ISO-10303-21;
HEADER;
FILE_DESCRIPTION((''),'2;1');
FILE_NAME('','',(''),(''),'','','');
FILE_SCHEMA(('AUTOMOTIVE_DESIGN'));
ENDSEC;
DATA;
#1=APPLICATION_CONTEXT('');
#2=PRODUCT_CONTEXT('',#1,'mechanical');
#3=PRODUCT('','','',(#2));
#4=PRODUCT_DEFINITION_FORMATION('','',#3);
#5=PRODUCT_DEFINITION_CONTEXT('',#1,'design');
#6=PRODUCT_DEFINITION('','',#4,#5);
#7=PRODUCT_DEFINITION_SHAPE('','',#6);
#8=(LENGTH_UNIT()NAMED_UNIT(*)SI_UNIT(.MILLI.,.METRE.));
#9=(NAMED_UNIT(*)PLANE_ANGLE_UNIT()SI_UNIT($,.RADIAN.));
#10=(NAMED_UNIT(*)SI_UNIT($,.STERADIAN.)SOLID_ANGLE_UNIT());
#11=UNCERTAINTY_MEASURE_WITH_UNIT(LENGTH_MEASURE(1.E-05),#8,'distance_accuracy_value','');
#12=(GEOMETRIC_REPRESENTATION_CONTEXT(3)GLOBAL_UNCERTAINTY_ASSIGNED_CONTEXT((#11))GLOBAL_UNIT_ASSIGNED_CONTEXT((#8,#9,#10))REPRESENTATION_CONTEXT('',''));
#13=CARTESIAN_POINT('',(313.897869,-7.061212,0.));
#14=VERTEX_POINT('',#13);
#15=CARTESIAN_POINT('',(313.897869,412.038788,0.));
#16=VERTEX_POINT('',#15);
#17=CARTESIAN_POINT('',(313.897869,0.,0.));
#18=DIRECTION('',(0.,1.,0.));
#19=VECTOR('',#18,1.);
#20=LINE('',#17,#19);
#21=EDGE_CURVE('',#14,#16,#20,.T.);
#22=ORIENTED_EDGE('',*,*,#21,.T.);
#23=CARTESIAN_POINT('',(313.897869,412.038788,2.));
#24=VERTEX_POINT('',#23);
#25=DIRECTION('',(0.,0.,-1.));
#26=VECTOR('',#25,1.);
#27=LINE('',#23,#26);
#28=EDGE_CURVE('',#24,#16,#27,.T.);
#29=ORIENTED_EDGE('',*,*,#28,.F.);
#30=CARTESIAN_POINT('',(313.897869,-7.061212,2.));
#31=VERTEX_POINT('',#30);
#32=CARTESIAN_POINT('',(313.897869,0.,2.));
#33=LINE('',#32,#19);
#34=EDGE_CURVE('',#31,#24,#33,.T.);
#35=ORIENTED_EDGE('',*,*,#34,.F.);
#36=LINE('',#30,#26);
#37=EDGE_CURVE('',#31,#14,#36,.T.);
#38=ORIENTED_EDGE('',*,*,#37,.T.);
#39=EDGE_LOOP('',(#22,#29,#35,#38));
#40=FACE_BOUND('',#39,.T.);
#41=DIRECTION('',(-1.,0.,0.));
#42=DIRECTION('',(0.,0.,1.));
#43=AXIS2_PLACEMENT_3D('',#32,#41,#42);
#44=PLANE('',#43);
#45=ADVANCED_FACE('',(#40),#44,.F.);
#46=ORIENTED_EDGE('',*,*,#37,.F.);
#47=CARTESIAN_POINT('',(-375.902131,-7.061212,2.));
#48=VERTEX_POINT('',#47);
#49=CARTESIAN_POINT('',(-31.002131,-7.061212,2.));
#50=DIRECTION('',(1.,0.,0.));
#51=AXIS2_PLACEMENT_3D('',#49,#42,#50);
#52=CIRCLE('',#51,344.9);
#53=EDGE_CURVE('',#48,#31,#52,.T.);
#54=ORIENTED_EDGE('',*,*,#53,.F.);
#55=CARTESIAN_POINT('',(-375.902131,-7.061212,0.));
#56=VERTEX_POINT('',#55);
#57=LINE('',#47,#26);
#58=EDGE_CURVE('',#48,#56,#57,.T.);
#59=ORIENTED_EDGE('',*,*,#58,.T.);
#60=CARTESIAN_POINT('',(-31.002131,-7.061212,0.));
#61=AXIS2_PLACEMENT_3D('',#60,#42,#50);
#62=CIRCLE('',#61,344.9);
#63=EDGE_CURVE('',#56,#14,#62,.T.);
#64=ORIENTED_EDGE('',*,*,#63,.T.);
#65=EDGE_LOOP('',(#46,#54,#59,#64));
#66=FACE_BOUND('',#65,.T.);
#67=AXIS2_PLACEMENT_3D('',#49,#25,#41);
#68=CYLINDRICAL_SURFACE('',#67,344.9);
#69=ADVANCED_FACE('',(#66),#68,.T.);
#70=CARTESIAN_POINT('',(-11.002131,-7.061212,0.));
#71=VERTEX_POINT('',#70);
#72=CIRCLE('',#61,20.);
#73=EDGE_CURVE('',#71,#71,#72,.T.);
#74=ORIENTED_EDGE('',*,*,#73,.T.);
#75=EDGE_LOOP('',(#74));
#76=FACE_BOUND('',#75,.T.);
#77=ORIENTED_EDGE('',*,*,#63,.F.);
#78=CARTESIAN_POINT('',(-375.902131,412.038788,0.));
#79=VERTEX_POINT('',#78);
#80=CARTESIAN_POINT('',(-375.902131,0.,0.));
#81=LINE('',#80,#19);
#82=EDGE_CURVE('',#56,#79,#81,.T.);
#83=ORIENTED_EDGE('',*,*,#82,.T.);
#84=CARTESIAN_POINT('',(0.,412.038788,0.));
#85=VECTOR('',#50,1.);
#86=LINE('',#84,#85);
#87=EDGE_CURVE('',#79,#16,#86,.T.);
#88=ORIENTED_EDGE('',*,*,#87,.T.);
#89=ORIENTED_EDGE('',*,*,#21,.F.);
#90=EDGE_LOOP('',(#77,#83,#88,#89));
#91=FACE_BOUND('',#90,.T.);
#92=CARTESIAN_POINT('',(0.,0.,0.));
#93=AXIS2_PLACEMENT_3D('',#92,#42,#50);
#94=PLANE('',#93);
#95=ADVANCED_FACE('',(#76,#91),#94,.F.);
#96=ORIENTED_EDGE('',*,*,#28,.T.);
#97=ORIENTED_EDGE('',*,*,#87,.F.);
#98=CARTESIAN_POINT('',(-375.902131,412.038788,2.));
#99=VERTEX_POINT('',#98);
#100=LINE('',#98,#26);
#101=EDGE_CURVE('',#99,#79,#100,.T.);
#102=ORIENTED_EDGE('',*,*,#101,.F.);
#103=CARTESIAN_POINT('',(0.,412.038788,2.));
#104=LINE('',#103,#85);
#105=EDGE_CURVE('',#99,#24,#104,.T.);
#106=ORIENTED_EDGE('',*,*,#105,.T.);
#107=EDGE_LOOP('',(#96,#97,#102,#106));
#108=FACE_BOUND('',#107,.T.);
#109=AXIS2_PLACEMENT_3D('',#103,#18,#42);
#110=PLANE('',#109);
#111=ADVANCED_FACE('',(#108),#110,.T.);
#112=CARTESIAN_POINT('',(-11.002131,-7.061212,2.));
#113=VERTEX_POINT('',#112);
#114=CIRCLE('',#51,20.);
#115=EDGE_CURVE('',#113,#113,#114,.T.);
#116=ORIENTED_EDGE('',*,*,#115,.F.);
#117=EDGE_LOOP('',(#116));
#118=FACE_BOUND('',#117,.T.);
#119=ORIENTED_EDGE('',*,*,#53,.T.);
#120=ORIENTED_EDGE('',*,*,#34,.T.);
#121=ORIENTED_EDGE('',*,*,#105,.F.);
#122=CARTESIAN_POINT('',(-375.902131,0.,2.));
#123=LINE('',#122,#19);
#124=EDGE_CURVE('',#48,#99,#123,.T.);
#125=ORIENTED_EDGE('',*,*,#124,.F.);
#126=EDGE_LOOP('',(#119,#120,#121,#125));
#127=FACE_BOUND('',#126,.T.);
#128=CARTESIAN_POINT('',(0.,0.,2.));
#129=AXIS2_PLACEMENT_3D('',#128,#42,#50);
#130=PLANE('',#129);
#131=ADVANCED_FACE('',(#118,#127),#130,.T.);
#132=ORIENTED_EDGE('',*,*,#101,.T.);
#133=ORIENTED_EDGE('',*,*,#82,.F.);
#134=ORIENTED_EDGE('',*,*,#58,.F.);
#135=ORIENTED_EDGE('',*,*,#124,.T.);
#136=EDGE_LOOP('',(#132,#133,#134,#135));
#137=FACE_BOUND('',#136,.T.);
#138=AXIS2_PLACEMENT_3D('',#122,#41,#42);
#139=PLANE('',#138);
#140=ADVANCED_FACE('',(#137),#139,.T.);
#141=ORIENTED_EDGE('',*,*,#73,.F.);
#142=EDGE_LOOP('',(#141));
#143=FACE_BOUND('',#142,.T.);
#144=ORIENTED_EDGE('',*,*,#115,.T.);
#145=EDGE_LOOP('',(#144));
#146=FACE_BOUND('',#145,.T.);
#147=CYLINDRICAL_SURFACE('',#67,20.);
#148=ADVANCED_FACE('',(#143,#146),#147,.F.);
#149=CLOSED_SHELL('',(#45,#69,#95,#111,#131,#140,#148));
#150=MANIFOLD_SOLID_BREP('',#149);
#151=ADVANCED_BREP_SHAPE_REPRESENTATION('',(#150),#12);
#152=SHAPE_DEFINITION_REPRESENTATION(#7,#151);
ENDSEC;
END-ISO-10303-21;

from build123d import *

# Parameters (mm, degrees)
SKETCH1_R           = 20
BOSS_EXTRUDE1_DEPTH = 2


with BuildPart() as part:
    # Sketch1 → Boss-Extrude1 (new body)
    # profile 1 of 2: a face of its own
    with BuildSketch(Plane.XY):
        with BuildLine():
            Line((-375.902130633, 412.038787591), (-375.902130633, -7.061212409))
            ThreePointArc((-375.902130633, -7.061212409), (-31.002130633, -351.961212409), (313.897869367, -7.061212409))
            Line((313.897869367, -7.061212409), (313.897869367, 412.038787591))
            Line((313.897869367, 412.038787591), (311.897869367, 412.038787591))
            Line((311.897869367, 412.038787591), (311.897869367, -7.061212409))
            ThreePointArc((311.897869367, -7.061212409), (-31.002130633, -349.961212409), (-373.902130633, -7.061212409))
            Line((-373.902130633, -7.061212409), (-373.902130633, 412.038787591))
            Line((-373.902130633, 412.038787591), (-375.902130633, 412.038787591))
        make_face()
    # profile 2 of 2: a face of its own
    with BuildSketch(Plane.XY):
        with BuildLine():
            Line((311.897869367, 412.038787591), (-373.902130633, 412.038787591))
            Line((-373.902130633, 412.038787591), (-373.902130633, -7.061212409))
            ThreePointArc((-373.902130633, -7.061212409), (-31.002130633, -349.961212409), (311.897869367, -7.061212409))
            Line((311.897869367, -7.061212409), (311.897869367, 412.038787591))
        make_face()
        with Locations((-31.002130633, -7.061212409)):
            Circle(SKETCH1_R, mode=Mode.SUBTRACT)
    extrude(amount=BOSS_EXTRUDE1_DEPTH)


solid = part.part
